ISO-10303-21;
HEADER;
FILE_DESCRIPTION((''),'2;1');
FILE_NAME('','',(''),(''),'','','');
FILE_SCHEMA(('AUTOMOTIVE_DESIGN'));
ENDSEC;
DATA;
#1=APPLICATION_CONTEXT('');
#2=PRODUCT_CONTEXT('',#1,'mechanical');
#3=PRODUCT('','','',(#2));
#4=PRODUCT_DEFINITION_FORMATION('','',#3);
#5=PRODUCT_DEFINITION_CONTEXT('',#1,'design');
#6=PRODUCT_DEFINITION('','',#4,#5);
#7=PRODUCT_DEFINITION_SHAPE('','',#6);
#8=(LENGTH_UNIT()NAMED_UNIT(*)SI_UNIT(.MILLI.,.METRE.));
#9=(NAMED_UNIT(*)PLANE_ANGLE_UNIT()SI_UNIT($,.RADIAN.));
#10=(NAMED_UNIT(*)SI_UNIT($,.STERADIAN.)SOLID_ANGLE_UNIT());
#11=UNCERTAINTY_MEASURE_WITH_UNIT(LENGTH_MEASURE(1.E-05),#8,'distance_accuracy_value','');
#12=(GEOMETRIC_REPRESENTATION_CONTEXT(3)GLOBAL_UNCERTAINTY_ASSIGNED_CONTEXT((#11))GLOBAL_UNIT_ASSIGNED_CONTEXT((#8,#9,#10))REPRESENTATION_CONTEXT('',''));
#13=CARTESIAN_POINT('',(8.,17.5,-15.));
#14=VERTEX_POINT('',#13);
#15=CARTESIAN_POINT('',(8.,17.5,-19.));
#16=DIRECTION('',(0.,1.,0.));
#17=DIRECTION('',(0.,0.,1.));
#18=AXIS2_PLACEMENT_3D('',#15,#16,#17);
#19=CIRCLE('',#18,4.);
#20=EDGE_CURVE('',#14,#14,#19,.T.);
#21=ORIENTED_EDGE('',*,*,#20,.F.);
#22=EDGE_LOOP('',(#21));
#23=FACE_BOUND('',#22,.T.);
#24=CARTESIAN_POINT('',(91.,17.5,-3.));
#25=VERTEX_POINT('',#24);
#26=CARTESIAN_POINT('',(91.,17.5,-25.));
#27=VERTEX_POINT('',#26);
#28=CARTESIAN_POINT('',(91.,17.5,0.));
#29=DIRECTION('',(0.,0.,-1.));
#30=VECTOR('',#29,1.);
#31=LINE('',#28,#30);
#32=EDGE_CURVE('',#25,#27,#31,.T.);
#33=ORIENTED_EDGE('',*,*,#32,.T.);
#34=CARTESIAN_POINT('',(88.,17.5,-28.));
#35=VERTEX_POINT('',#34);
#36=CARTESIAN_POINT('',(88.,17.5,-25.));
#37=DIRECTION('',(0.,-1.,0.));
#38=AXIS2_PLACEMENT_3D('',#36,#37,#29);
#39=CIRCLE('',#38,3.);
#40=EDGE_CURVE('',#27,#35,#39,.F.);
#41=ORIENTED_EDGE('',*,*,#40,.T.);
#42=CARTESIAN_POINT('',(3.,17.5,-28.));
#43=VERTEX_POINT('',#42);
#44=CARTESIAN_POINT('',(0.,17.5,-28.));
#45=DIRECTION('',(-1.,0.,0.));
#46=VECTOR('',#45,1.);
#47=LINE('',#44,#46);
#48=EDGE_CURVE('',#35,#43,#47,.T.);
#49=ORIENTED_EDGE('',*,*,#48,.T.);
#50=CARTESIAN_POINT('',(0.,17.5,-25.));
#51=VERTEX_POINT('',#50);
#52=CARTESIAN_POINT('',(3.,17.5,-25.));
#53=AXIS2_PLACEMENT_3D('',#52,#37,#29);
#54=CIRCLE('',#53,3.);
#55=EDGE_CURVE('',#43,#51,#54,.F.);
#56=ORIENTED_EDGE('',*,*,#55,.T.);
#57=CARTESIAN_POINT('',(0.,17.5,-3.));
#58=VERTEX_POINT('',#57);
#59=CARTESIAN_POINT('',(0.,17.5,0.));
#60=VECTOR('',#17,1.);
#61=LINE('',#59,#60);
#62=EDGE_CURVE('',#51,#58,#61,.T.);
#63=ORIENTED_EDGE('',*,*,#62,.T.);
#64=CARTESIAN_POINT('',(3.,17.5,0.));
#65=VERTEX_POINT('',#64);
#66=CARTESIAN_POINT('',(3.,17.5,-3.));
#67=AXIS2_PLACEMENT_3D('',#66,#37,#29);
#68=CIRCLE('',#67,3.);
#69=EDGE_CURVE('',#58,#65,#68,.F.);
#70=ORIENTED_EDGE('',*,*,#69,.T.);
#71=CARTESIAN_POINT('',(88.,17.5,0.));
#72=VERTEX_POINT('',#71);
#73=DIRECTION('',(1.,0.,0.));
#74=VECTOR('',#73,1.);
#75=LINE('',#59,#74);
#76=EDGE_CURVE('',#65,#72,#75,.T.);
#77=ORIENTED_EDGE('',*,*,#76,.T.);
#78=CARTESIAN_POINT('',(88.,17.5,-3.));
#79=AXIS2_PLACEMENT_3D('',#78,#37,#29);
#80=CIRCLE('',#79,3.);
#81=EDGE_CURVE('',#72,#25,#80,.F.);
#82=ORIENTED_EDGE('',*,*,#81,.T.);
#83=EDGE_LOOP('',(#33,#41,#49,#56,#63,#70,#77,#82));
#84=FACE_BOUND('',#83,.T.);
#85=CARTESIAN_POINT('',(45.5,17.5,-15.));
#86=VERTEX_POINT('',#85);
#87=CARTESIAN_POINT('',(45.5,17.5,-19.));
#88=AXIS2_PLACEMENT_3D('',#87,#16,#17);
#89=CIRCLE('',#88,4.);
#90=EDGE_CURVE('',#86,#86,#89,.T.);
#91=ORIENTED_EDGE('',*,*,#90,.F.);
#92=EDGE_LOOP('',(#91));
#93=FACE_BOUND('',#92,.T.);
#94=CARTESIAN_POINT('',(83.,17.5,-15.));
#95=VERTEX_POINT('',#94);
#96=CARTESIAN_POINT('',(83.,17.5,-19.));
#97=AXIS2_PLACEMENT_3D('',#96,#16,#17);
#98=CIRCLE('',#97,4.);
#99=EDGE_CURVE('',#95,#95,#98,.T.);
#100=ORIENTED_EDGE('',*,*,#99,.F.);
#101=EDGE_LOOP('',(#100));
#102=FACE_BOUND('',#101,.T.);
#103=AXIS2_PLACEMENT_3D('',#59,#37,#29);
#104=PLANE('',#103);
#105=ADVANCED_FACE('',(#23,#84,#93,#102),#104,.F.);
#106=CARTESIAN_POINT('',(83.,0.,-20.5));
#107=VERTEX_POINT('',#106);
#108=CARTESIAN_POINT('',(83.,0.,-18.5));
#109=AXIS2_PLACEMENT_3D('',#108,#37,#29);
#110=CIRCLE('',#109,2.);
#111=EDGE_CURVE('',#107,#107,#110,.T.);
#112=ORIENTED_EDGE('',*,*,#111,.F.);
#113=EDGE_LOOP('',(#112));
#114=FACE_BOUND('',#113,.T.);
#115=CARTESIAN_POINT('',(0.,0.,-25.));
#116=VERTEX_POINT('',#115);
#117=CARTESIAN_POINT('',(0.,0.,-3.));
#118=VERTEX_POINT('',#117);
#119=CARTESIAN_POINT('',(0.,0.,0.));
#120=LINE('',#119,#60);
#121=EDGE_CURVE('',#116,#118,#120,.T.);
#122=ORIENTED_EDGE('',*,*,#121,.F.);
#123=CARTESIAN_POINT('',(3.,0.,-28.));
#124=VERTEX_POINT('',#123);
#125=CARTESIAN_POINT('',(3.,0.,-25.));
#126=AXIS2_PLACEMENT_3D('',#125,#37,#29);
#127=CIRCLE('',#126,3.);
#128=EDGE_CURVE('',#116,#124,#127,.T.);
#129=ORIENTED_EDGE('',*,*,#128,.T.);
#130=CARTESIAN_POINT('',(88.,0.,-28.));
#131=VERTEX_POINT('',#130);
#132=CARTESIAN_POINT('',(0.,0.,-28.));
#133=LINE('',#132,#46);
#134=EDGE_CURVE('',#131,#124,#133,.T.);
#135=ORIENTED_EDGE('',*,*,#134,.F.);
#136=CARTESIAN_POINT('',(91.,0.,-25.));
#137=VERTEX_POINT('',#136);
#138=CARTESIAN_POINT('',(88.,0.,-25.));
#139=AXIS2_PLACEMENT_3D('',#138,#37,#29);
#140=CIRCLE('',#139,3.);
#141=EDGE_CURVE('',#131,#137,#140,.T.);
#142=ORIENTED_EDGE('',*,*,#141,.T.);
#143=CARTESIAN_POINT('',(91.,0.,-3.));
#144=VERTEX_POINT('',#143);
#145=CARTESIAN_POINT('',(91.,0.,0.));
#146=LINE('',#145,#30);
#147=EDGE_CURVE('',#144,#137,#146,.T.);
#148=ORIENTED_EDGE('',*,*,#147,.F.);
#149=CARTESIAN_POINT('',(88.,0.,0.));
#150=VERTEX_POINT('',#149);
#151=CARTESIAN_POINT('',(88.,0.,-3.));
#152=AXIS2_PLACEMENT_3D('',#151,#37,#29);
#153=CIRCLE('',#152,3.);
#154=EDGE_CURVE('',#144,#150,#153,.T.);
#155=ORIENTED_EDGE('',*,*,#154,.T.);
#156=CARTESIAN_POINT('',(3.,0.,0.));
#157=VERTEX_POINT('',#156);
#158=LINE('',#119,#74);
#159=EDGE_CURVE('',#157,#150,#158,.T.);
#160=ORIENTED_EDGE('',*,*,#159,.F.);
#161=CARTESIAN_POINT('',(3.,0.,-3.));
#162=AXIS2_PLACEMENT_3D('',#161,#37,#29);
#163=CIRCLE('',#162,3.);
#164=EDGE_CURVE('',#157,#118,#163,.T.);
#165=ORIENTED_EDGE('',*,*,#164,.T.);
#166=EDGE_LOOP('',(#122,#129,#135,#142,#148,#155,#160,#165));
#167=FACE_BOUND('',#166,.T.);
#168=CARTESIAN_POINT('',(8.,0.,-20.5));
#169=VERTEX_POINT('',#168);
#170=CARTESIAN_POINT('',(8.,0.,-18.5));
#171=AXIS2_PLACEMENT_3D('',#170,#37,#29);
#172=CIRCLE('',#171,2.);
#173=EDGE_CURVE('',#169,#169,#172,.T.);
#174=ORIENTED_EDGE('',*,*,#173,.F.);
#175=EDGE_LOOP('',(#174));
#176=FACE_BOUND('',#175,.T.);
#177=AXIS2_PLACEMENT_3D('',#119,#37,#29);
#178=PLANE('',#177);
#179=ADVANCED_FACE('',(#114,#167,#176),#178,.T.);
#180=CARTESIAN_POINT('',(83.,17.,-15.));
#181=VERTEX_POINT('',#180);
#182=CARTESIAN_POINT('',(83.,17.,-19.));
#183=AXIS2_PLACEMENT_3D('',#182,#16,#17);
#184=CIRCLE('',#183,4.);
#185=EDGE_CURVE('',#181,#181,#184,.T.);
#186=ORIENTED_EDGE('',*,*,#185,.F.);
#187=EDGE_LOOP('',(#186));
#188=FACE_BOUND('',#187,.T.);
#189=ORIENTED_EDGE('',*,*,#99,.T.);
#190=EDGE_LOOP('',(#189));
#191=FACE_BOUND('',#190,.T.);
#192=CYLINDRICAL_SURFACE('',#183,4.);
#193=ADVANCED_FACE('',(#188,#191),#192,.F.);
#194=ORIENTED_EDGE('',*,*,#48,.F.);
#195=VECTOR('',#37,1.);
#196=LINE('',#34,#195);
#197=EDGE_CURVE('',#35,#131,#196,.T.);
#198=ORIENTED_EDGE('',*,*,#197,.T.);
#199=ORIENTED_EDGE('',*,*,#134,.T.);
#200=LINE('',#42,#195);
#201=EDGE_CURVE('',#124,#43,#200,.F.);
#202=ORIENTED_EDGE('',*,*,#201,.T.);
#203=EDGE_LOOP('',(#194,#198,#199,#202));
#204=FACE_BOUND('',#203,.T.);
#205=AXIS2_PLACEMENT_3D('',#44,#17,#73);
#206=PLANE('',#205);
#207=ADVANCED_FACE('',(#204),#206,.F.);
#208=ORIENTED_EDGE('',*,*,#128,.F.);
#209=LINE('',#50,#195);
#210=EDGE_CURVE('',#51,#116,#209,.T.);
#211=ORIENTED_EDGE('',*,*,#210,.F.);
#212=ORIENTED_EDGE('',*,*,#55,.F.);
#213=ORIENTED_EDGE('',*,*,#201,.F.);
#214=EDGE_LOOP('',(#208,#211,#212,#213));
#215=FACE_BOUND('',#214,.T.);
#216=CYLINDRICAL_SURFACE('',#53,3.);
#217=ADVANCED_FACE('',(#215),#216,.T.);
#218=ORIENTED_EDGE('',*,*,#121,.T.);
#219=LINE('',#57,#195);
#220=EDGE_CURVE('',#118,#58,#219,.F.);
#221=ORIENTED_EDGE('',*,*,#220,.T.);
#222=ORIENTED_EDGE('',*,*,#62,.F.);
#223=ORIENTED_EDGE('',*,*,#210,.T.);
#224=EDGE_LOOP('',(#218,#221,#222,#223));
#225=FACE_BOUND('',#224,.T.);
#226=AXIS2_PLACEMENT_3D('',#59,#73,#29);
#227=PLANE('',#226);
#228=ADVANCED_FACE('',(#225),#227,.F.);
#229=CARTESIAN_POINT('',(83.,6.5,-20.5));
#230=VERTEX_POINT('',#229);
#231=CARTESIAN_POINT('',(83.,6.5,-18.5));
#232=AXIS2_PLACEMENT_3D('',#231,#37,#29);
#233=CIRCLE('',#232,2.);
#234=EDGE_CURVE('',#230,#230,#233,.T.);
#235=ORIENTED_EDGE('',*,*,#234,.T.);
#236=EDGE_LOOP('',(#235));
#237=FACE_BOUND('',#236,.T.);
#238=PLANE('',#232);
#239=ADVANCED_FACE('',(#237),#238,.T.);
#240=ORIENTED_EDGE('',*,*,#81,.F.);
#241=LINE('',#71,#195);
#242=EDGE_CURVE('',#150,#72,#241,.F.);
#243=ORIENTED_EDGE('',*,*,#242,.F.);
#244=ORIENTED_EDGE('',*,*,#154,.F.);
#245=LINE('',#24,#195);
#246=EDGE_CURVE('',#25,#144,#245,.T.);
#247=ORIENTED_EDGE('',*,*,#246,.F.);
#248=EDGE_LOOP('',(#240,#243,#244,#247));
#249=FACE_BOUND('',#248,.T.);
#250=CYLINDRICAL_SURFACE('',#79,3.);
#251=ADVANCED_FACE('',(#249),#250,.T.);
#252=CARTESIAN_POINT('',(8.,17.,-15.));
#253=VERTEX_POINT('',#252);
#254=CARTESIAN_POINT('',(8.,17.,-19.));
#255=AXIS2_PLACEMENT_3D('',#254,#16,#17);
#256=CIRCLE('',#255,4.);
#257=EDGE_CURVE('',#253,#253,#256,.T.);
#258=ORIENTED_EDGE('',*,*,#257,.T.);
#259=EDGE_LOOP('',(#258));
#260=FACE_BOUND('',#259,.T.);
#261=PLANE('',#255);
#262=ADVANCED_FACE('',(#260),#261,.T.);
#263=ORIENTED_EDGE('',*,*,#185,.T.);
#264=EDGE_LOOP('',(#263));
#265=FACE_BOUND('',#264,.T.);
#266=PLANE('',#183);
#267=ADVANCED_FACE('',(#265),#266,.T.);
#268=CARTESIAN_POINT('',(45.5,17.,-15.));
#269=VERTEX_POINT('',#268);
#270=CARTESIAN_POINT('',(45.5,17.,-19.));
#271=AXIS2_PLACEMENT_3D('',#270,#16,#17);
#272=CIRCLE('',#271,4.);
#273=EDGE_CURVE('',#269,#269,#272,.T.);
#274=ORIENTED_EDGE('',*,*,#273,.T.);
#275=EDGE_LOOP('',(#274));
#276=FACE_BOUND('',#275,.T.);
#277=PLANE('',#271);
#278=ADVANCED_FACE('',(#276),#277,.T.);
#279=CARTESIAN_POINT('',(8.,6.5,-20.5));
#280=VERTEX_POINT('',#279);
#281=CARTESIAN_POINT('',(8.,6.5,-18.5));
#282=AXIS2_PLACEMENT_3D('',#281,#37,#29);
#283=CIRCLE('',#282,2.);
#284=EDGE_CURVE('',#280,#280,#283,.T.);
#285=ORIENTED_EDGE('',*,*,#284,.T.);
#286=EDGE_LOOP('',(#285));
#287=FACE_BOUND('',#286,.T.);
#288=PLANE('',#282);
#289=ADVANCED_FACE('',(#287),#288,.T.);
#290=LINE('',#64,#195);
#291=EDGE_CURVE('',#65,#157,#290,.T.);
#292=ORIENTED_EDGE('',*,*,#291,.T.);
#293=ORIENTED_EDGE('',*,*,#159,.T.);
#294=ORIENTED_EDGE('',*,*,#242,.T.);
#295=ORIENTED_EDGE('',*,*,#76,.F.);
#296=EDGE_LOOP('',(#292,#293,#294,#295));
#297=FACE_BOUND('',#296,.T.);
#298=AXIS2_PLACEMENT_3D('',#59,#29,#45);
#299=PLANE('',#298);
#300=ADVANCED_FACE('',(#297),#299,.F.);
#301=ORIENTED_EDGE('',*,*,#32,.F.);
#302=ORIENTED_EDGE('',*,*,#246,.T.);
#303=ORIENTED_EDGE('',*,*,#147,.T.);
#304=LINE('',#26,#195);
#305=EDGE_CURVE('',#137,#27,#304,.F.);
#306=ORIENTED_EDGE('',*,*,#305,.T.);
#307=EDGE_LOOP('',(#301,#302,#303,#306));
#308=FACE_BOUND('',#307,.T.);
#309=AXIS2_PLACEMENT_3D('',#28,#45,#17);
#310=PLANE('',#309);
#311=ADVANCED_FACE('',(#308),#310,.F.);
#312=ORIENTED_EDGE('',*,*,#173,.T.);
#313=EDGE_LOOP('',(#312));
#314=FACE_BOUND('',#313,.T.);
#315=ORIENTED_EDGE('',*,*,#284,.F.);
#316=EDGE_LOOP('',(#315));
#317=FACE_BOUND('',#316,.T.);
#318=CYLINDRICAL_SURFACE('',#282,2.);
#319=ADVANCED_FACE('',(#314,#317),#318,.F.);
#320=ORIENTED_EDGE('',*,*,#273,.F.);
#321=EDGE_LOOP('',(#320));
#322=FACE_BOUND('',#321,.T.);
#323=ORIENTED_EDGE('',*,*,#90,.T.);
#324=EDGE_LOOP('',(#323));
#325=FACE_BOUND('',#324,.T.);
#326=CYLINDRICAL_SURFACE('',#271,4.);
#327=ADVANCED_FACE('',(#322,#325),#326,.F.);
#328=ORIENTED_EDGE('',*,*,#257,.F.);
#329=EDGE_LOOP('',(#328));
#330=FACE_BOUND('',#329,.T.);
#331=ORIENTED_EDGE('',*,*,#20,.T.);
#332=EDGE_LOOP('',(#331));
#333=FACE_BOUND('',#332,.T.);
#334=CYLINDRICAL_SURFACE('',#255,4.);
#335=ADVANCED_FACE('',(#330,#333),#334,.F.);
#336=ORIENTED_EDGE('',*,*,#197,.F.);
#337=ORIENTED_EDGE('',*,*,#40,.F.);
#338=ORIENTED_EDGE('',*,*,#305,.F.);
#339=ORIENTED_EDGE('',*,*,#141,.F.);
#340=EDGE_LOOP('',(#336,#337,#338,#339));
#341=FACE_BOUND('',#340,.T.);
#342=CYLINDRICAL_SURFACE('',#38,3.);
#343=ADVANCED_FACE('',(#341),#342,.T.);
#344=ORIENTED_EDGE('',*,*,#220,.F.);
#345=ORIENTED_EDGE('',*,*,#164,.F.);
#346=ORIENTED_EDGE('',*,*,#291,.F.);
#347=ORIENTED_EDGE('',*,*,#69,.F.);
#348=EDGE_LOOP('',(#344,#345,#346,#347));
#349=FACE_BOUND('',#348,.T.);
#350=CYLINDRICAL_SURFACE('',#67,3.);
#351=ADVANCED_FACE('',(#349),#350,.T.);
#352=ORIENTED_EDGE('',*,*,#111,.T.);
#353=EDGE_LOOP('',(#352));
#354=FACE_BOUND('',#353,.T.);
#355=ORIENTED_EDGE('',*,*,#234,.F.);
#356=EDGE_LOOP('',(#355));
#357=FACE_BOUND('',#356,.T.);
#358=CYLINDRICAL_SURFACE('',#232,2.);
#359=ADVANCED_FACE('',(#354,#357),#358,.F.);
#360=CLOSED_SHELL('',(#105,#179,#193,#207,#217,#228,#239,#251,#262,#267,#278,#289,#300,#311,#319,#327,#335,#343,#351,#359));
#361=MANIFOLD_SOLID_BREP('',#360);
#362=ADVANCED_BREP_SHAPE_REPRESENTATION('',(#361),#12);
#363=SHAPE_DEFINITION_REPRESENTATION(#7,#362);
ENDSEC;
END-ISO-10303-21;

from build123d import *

# Parameters (mm, degrees)
SKETCH1_W           = 91
SKETCH1_H           = 28
BOSS_EXTRUDE1_DEPTH = 17.5
SKETCH2_R           = 4
CUT_EXTRUDE1_DEPTH  = 0.5
SKETCH3_R           = 2
CUT_EXTRUDE2_DEPTH  = 6.5
FILLET1_R           = 3


with BuildPart() as part:
    # Sketch1 → Boss-Extrude1 (new body)
    with BuildSketch(Plane(origin=(0, 0, 0), x_dir=(1, 0, 0), z_dir=(0, 1, 0))):
        with Locations((45.5, 14)):
            Rectangle(SKETCH1_W, SKETCH1_H)
    extrude(amount=BOSS_EXTRUDE1_DEPTH)

    # Sketch2 → Cut-Extrude1 (cut)
    with BuildSketch(Plane(origin=(0, 17.5, 0), x_dir=(1, 0, 0), z_dir=(0, 1, 0))):
        with Locations((45.5, 19)):
            Circle(SKETCH2_R)
        with Locations((8, 19)):
            Circle(SKETCH2_R)
        with Locations((83, 19)):
            Circle(SKETCH2_R)
    extrude(amount=-CUT_EXTRUDE1_DEPTH, mode=Mode.SUBTRACT)

    # Sketch3 → Cut-Extrude2 (cut)
    with BuildSketch(Plane.XZ):
        with Locations((83, -18.5)):
            Circle(SKETCH3_R)
        with Locations((8, -18.5)):
            Circle(SKETCH3_R)
    extrude(amount=-CUT_EXTRUDE2_DEPTH, mode=Mode.SUBTRACT)

    # Fillet1
    fillet1_edges = [part.edges().sort_by_distance(p)[0] for p in [
        (0, 8.75, -28),
        (91, 8.75, -28),
        (91, 8.75, 0),
        (0, 8.75, 0),
    ]]
    fillet(fillet1_edges, radius=FILLET1_R)


solid = part.part
